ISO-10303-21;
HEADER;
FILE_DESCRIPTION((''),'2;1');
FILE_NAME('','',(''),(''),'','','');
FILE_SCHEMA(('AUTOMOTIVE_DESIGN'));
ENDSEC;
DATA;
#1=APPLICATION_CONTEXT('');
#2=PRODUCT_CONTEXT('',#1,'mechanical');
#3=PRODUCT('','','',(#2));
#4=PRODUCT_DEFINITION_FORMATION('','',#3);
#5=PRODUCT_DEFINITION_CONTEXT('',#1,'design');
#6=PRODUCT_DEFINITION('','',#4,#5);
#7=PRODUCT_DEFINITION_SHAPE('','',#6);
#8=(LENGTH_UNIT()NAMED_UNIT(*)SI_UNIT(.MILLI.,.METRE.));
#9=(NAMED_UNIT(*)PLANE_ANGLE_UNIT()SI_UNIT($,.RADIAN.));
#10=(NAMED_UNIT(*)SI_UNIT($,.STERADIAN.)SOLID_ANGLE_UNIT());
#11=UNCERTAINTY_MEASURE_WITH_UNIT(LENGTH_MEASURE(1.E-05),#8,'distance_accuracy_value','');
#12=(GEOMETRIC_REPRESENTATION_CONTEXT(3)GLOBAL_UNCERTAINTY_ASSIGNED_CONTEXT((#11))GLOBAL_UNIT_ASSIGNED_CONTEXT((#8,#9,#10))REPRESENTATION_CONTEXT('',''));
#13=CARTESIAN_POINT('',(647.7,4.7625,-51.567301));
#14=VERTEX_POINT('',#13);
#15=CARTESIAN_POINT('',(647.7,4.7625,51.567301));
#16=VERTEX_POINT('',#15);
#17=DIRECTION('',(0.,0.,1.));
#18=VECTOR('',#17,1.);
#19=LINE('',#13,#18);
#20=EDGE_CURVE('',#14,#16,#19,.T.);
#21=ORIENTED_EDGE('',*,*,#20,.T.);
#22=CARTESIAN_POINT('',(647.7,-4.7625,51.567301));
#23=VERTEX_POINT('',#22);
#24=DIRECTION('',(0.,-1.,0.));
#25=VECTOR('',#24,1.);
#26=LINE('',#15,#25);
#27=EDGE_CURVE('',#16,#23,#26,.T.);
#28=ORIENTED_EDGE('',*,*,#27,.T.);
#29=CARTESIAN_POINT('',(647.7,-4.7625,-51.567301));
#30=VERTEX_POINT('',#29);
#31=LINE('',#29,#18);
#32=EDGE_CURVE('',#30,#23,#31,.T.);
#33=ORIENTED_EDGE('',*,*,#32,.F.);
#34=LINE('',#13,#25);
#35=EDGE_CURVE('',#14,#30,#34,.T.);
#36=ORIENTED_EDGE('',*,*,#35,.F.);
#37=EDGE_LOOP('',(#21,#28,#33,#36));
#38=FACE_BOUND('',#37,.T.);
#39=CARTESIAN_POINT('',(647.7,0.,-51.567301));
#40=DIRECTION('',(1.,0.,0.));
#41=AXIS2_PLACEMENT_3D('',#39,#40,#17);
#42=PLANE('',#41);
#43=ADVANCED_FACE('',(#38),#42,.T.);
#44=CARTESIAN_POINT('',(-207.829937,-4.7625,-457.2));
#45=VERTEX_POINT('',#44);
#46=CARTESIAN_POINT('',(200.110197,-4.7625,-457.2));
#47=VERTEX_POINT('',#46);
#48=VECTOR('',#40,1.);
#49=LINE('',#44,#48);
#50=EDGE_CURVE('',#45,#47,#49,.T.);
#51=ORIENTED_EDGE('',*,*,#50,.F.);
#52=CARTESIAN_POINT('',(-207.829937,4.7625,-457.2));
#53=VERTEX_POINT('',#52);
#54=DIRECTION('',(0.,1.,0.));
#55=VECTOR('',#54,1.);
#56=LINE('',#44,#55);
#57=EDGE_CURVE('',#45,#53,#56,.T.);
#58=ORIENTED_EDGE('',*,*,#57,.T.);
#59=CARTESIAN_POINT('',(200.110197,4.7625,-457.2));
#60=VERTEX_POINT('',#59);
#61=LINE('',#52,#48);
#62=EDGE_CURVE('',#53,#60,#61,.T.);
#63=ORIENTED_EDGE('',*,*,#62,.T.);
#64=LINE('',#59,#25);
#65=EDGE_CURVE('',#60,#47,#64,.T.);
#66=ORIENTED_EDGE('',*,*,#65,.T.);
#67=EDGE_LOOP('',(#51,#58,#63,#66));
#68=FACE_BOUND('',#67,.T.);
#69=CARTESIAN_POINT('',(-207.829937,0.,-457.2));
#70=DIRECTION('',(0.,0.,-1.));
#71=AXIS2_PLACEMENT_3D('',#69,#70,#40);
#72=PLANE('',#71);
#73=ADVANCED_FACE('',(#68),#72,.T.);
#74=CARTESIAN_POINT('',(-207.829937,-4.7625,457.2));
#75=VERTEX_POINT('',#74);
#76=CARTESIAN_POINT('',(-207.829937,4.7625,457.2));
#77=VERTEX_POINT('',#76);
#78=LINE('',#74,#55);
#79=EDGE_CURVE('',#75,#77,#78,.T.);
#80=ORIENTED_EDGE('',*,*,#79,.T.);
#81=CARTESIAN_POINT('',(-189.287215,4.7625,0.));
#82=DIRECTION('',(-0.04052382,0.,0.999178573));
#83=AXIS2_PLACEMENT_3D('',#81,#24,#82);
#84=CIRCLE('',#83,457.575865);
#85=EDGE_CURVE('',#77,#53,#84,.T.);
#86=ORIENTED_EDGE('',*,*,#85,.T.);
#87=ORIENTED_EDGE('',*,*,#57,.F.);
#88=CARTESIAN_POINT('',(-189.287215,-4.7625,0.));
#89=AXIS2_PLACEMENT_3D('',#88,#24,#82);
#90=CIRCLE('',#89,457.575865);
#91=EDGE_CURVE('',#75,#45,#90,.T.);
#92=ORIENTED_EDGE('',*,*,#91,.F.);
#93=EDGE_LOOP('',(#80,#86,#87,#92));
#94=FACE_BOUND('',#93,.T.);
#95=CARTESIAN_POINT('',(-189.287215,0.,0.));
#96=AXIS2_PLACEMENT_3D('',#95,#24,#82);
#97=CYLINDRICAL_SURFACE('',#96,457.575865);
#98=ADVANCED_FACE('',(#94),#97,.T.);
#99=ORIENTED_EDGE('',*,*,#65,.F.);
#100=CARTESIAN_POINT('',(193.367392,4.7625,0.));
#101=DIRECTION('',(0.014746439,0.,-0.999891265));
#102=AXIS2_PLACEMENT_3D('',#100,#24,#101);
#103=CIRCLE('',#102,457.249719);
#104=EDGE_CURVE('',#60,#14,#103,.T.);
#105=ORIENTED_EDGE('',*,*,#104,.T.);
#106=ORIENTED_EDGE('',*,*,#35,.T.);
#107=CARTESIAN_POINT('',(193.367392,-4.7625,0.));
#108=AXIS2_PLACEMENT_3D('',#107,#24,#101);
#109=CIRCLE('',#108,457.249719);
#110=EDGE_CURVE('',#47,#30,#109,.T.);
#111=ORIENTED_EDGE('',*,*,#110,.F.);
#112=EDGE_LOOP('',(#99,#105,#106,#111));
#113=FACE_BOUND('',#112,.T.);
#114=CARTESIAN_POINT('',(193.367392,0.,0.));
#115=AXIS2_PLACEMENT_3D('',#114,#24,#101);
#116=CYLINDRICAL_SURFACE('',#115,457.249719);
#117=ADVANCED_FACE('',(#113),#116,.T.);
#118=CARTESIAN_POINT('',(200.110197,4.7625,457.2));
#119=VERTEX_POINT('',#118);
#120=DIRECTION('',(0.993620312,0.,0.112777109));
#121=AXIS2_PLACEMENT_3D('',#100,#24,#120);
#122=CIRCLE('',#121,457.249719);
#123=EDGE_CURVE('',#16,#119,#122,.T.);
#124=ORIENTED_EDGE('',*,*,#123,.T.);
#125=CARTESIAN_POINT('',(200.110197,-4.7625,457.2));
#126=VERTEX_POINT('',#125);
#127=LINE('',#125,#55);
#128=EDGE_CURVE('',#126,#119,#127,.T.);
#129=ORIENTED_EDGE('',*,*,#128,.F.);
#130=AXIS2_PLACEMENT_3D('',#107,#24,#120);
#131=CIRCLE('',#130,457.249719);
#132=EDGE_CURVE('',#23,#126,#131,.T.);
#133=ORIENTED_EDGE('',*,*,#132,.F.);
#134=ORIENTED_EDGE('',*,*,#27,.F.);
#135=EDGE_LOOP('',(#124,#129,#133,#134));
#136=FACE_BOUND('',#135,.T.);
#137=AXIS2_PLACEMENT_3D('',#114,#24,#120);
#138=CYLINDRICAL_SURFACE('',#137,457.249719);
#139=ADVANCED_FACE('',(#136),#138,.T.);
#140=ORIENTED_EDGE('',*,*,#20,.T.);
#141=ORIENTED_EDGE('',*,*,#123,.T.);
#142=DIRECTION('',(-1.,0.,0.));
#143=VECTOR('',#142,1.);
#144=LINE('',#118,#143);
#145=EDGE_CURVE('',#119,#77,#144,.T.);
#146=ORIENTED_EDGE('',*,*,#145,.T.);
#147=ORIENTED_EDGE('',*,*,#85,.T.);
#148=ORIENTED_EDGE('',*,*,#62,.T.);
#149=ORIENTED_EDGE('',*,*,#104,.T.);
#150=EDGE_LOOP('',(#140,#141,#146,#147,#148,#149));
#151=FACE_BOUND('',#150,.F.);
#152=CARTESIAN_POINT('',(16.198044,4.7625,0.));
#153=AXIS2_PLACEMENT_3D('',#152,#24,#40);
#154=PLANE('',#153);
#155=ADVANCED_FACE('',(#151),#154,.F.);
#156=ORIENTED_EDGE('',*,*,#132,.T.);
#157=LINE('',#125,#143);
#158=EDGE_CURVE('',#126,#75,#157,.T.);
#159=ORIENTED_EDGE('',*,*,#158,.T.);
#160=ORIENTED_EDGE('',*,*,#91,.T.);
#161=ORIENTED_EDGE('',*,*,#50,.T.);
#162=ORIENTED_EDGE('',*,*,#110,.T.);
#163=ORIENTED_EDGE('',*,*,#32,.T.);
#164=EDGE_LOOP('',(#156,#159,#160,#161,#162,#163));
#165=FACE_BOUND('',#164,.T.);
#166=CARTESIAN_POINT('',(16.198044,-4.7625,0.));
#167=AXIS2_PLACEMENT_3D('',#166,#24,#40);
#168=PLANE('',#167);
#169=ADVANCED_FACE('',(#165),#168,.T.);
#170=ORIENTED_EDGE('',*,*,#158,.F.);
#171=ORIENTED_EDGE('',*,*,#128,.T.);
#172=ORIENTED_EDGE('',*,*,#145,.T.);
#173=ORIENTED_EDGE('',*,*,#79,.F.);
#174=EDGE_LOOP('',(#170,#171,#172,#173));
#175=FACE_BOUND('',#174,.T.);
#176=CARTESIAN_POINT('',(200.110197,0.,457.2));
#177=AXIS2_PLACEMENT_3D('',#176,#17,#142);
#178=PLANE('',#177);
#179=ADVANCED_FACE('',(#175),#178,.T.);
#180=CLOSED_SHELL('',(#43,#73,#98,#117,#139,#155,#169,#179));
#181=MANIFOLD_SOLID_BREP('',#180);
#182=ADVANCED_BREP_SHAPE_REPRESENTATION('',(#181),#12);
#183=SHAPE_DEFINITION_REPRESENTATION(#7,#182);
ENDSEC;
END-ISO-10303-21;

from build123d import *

# Parameters (mm, degrees)
F1_DEPTH = 4.7625


with BuildPart() as f1:
    # F0 (on Front) → F1 (new body, symmetric)
    with BuildSketch(Plane.XZ):
        with BuildLine():
            Line((-207.8299373389, -457.2), (200.1101970673, -457.2))
            ThreePointArc((200.1101970673, -457.2), (500.4213052713, -338.8144029696), (647.7, -51.5673013758))
            Line((647.7, -51.5673013758), (647.7, 51.5673013758))
            ThreePointArc((647.7, 51.5673013758), (500.4213052713, 338.8144029696), (200.1101970673, 457.2))
            Line((200.1101970673, 457.2), (-207.8299373388, 457.2))
            ThreePointArc((-207.8299373388, 457.2), (-646.8630808032, 0), (-207.8299373389, -457.2))
        make_face()
    extrude(amount=F1_DEPTH, both=True)


solid = f1.part
